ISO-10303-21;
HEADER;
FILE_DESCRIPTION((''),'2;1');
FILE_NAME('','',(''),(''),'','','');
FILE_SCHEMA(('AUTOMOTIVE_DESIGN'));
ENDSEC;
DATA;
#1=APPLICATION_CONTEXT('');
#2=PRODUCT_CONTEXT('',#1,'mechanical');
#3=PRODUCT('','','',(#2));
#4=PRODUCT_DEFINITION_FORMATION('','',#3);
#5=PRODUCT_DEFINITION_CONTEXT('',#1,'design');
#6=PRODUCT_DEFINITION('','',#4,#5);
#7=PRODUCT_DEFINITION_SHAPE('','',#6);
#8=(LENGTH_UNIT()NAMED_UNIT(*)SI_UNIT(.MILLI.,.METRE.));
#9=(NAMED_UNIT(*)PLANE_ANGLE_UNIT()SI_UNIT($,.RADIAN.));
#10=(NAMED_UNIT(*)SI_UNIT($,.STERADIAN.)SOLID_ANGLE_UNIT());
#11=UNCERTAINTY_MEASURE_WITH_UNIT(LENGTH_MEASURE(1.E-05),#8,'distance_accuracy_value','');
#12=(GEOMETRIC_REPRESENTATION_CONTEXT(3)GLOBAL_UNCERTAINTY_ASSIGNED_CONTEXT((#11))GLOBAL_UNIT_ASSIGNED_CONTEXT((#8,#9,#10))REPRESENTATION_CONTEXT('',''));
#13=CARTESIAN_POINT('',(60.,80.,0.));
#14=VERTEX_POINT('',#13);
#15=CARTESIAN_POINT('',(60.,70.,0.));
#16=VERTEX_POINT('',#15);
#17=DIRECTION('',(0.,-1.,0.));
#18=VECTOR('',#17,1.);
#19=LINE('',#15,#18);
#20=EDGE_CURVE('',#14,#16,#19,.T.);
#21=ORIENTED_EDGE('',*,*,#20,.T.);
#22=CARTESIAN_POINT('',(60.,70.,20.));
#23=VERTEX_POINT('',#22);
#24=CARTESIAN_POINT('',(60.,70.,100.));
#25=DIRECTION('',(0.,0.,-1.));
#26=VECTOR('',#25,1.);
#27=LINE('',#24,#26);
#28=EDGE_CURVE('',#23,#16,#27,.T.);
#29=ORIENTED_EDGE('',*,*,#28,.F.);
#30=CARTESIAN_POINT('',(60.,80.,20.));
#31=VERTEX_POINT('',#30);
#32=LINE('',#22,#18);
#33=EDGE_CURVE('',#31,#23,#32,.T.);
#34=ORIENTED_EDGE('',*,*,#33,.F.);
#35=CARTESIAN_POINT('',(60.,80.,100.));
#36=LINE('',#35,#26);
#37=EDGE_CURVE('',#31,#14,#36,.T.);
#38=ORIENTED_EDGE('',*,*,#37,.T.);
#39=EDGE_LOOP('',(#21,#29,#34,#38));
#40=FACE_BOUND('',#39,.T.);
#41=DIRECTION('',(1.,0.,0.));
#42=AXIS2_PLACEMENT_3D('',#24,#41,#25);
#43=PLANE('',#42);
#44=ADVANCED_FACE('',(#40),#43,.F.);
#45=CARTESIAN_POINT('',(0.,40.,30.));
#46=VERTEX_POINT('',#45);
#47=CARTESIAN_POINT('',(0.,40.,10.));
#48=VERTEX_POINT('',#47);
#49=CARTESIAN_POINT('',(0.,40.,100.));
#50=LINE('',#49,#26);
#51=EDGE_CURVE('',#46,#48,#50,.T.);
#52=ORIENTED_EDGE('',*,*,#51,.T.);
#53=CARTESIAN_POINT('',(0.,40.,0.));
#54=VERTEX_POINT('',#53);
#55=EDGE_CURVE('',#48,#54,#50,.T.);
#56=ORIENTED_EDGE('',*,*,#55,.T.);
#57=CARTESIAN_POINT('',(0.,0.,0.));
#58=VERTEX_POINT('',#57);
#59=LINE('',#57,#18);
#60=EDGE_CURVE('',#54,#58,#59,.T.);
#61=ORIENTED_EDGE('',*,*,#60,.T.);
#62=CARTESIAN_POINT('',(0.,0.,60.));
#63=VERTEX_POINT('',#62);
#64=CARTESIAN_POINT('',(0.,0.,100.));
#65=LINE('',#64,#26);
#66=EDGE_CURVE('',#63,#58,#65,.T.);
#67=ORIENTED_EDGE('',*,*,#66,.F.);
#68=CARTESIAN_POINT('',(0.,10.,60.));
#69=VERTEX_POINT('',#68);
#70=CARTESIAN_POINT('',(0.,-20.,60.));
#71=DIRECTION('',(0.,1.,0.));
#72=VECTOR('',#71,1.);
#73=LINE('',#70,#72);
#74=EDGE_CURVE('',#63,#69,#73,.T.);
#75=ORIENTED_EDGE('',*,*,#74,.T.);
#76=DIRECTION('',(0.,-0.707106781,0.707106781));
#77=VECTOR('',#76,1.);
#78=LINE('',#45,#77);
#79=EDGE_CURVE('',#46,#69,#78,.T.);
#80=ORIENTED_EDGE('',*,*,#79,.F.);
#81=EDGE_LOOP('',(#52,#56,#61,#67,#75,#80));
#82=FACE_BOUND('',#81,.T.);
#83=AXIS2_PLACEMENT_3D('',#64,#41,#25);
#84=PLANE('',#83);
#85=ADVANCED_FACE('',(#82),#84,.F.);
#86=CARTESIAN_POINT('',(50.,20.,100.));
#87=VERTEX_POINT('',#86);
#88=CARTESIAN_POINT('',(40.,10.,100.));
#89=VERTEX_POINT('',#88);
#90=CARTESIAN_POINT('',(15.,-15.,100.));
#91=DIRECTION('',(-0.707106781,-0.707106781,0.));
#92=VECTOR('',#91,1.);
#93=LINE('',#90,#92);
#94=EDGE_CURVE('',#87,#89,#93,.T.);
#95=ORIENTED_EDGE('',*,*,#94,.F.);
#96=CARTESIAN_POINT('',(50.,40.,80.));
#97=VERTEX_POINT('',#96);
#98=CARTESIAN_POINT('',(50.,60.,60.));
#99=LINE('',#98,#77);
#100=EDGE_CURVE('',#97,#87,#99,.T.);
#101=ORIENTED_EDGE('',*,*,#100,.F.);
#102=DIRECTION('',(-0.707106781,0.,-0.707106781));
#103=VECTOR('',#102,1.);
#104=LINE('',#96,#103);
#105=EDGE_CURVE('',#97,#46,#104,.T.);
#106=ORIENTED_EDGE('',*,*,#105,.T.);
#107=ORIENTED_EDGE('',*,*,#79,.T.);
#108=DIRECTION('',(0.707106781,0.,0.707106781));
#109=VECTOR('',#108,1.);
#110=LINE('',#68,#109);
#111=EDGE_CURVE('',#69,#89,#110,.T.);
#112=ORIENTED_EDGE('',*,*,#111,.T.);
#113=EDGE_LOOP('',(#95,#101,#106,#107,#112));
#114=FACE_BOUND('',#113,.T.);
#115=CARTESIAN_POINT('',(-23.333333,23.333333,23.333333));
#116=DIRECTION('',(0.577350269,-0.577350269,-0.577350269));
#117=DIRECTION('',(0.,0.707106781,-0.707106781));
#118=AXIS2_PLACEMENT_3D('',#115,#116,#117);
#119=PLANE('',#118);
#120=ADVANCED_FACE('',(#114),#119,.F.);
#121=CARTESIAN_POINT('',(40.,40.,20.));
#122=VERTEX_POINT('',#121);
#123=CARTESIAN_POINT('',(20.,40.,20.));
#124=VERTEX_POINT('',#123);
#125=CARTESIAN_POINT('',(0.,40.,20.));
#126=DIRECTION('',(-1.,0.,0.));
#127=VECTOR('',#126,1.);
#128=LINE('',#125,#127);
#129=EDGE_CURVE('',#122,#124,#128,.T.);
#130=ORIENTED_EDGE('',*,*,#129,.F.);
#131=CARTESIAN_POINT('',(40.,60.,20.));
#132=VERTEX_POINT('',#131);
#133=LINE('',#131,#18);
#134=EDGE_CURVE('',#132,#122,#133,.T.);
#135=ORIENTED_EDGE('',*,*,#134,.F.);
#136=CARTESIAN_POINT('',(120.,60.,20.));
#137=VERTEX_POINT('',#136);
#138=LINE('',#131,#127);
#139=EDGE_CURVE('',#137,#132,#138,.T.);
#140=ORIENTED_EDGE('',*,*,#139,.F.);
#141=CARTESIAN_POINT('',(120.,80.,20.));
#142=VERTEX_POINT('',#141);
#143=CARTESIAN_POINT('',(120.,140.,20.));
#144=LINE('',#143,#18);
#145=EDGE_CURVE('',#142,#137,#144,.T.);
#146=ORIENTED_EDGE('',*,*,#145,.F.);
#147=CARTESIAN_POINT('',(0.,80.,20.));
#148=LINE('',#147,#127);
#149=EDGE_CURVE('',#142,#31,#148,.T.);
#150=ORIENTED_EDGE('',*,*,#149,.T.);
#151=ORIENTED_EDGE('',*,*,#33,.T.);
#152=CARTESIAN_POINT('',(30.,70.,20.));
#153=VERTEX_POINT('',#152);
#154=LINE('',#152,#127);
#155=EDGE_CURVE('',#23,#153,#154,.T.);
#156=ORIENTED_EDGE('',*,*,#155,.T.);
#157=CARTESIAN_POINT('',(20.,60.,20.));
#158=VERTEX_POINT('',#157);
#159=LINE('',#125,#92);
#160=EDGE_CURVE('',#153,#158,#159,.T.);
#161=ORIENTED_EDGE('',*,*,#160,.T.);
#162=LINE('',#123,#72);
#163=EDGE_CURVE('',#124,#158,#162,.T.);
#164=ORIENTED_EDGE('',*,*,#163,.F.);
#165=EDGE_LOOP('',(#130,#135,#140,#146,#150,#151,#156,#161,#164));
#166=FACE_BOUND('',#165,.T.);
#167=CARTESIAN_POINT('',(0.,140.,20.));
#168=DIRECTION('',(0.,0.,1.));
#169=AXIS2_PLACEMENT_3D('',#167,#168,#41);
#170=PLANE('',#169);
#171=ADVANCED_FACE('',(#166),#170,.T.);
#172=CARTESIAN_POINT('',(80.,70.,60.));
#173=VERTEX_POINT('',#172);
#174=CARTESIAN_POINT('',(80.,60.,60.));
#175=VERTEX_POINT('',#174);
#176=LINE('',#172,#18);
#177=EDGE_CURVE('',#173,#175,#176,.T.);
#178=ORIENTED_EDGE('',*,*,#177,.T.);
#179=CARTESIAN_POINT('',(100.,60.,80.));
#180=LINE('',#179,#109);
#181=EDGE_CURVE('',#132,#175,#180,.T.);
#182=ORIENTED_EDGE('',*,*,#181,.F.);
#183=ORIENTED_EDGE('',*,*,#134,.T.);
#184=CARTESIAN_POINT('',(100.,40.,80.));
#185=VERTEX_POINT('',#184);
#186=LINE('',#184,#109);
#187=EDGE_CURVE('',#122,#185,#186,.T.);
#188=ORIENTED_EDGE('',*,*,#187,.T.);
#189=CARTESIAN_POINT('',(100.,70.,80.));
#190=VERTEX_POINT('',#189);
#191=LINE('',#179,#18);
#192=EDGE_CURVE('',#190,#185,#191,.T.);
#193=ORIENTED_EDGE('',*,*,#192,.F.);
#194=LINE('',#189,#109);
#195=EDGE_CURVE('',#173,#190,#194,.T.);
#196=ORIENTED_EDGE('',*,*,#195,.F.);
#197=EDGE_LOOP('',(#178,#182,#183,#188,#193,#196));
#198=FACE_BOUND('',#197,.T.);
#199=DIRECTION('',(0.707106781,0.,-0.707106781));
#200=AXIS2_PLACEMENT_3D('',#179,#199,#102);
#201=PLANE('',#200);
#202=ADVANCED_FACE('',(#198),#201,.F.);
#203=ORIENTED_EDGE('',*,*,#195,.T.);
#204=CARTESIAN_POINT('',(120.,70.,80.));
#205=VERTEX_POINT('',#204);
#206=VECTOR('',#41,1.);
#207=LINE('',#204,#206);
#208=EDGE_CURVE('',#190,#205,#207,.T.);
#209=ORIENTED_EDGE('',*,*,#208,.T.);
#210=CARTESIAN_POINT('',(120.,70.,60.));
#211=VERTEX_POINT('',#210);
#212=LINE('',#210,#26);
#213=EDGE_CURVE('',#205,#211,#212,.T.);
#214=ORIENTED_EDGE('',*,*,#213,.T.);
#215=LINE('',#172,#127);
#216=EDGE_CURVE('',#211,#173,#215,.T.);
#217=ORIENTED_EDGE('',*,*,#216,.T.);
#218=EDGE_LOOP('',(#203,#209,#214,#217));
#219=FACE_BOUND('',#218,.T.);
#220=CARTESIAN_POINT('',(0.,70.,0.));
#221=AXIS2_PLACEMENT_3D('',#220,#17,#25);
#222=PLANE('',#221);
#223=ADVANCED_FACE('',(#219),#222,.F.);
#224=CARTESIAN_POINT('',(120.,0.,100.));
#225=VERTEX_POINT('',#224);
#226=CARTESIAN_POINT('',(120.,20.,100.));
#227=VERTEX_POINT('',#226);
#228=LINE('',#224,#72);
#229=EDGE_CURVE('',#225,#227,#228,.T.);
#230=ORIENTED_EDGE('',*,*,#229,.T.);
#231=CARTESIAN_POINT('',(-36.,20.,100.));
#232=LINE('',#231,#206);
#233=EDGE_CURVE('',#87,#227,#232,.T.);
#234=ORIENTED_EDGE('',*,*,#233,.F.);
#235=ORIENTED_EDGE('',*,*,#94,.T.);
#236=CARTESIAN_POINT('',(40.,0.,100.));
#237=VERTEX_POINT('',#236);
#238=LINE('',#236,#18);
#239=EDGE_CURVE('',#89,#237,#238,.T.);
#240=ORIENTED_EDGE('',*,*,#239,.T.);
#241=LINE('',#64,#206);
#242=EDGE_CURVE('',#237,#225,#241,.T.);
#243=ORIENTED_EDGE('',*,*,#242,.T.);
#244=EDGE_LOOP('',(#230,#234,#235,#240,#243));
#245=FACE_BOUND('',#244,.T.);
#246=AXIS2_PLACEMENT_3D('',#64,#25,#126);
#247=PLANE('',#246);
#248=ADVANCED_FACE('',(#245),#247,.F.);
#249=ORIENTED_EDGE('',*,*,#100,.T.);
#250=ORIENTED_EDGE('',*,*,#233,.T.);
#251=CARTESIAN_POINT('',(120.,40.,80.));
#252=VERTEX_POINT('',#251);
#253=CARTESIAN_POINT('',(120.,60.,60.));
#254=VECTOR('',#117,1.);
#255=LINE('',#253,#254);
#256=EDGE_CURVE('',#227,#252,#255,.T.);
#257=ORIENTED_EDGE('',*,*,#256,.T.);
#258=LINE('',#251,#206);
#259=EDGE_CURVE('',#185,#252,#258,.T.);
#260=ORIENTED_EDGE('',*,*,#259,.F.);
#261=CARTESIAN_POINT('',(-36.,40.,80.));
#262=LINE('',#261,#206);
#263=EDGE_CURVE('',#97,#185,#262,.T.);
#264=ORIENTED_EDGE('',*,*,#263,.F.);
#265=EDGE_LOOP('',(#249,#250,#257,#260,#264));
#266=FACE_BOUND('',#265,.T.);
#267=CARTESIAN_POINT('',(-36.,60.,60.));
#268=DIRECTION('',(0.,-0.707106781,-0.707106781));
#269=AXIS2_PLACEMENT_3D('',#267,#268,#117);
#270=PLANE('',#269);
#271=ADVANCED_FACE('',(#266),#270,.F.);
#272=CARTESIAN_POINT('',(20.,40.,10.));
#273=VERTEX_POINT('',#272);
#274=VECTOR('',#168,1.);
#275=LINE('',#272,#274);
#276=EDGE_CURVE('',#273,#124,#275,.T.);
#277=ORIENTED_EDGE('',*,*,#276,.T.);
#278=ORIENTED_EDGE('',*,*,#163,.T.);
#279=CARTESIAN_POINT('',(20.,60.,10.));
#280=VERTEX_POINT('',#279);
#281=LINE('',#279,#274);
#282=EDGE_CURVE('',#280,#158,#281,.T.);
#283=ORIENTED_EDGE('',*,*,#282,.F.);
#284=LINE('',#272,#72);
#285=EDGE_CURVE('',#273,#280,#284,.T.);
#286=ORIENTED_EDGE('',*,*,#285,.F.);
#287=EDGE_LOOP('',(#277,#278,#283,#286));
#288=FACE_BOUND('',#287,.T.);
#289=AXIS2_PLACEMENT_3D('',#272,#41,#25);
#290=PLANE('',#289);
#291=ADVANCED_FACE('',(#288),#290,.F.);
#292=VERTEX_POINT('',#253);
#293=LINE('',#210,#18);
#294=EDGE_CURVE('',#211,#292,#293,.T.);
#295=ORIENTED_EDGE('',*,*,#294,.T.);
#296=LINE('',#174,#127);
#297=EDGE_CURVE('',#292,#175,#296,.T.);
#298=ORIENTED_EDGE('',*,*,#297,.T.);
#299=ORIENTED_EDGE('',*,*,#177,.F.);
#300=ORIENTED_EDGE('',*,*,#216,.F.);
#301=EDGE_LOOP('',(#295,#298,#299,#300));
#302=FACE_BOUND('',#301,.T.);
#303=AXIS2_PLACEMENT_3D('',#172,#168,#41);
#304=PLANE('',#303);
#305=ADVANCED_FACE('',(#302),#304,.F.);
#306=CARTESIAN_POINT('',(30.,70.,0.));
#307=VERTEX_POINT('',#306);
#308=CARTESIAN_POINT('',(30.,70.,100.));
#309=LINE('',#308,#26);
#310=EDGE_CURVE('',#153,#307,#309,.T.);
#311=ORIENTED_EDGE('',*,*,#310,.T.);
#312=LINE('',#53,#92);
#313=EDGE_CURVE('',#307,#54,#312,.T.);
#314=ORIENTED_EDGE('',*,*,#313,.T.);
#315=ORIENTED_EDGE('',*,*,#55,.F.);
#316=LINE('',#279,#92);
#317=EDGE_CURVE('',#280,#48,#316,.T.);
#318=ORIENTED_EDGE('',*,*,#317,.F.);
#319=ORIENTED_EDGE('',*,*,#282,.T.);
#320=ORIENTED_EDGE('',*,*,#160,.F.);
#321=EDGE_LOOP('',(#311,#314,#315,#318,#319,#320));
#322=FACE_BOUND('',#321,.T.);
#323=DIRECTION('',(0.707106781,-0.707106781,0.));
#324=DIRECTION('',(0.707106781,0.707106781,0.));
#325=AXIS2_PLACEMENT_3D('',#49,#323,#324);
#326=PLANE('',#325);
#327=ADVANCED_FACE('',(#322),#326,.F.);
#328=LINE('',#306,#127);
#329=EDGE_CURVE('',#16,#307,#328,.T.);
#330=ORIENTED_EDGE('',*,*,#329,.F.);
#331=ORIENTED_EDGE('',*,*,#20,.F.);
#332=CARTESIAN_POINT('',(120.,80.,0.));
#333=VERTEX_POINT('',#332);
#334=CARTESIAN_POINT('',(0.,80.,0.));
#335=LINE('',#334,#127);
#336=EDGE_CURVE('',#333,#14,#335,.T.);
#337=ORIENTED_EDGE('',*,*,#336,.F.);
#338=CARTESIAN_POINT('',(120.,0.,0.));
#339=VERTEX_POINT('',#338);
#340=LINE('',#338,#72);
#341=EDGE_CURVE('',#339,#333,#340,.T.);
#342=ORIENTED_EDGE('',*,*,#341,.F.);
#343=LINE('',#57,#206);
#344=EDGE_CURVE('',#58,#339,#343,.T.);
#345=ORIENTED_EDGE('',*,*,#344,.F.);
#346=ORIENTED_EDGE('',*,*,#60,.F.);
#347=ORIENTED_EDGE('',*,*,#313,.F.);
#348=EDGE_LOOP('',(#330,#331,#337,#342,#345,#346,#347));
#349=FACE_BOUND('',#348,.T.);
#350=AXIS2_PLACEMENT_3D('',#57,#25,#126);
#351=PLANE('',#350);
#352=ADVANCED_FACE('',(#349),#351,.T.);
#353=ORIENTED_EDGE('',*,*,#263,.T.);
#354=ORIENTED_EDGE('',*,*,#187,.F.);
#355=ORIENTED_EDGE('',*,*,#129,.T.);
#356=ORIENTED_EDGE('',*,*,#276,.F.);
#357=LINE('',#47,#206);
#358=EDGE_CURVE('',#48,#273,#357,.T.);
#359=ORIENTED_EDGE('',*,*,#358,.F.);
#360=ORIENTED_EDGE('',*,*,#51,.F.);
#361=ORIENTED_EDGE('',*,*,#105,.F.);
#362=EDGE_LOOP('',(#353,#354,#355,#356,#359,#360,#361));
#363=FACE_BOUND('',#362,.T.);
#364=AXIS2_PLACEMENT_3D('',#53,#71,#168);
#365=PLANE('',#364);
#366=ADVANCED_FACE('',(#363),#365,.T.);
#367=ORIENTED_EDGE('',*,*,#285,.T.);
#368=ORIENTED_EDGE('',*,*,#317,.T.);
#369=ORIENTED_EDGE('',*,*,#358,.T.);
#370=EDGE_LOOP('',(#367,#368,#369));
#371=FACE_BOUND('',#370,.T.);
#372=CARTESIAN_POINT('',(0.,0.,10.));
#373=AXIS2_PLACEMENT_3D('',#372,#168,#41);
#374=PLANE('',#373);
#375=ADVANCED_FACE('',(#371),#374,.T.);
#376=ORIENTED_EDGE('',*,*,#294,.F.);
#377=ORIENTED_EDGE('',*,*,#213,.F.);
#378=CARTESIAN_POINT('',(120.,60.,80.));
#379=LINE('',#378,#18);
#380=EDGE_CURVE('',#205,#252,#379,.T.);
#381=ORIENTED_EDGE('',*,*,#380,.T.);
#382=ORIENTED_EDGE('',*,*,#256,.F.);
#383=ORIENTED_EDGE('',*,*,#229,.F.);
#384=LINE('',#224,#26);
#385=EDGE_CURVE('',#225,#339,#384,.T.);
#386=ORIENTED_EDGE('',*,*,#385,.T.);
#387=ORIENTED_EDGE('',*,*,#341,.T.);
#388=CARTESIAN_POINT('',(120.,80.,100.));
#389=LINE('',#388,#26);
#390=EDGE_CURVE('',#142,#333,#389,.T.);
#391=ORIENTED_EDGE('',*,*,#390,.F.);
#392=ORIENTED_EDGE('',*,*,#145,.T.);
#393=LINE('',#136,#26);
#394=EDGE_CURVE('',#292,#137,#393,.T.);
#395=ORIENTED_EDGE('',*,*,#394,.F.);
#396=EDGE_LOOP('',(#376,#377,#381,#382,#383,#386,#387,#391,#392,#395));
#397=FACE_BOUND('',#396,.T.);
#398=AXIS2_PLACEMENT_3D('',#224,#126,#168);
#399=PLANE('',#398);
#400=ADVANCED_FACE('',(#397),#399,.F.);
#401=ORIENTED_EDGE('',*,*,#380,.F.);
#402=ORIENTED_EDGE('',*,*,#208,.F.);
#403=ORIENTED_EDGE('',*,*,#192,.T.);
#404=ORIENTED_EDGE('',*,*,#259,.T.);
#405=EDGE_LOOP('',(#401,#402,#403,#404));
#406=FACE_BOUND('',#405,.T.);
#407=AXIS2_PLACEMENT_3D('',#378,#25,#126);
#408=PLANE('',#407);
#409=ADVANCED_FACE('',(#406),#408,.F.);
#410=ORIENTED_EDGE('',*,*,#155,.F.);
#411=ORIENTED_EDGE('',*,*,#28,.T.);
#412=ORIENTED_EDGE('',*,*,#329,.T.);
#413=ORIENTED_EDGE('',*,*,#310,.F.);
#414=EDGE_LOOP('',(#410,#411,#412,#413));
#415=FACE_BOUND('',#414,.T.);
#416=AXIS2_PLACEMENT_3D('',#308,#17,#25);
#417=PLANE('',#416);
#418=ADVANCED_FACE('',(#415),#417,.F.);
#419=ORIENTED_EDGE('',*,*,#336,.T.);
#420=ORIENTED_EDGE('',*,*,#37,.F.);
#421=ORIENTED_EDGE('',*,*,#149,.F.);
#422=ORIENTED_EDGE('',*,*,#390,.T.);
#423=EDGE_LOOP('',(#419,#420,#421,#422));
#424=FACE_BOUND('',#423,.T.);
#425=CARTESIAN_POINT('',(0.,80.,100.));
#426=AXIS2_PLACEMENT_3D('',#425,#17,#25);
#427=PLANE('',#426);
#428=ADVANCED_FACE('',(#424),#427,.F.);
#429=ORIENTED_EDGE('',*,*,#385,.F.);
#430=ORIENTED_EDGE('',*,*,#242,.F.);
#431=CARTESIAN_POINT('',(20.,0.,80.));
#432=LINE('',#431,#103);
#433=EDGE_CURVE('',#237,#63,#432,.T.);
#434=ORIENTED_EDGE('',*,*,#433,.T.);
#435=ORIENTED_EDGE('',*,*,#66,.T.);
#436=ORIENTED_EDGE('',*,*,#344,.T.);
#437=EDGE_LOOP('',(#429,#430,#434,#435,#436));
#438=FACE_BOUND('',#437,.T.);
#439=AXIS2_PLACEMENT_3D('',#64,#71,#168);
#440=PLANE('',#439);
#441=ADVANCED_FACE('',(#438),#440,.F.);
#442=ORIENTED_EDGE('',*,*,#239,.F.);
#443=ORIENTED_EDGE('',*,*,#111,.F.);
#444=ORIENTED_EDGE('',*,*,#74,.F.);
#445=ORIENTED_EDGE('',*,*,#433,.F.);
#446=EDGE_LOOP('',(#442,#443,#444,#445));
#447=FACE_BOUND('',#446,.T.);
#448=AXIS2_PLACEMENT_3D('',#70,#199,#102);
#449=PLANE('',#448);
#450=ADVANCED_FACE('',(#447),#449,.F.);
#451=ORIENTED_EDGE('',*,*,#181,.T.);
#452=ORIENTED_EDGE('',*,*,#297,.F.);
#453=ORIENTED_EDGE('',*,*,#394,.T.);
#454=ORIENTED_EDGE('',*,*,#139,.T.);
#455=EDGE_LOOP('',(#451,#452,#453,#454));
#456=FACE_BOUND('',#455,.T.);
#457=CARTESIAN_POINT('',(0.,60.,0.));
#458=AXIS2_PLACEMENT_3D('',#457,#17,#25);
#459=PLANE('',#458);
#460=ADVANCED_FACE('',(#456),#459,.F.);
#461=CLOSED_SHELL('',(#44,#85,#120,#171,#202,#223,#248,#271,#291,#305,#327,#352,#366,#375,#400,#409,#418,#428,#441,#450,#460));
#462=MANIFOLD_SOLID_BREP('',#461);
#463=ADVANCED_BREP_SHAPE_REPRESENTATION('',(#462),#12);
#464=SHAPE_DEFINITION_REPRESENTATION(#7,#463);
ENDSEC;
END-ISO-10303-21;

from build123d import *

# Parameters (mm, degrees)
SKETCH1_W           = 120
SKETCH1_H           = 80
BOSS_EXTRUDE1_DEPTH = 100
CUT_EXTRUDE1_DEPTH  = 100
CUT_EXTRUDE2_DEPTH  = 100
SKETCH4_W           = 120
SKETCH4_H           = 80
CUT_EXTRUDE3_DEPTH  = 100
CUT_EXTRUDE4_DEPTH  = 10
BOSS_EXTRUDE4_DEPTH = 20
BOSS_EXTRUDE5_DEPTH = 10
CUT_EXTRUDE8_DEPTH  = 156
CUT_EXTRUDE10_DEPTH = 156
CUT_EXTRUDE11_DEPTH = 156
CUT_EXTRUDE12_DEPTH = 156


with BuildPart() as part:
    # Sketch1 → Boss-Extrude1 (new body)
    with BuildSketch(Plane.XY):
        with Locations((60, 40)):
            Rectangle(SKETCH1_W, SKETCH1_H)
    extrude(amount=BOSS_EXTRUDE1_DEPTH)

    # Sketch2 → Cut-Extrude1 (cut)
    with BuildSketch(Plane(origin=(0, 80, 0), x_dir=(1, 0, 0), z_dir=(0, 1, 0))):
        Polygon((0, -60), (40, -100), (0, -100), align=None)
    extrude(amount=-CUT_EXTRUDE1_DEPTH, mode=Mode.SUBTRACT)

    # Sketch3 → Cut-Extrude2 (cut)
    with BuildSketch(Plane(origin=(0, 0, 0), x_dir=(-1, 0, 0), z_dir=(0, 0, -1))):
        Polygon((0, 40), (-30, 70), (-60, 70), (-60, 80), (0, 80), align=None)
    extrude(amount=-CUT_EXTRUDE2_DEPTH, mode=Mode.SUBTRACT)

    # Sketch4 → Cut-Extrude3 (cut)
    with BuildSketch(Plane(origin=(0, 40, 0), x_dir=(1, 0, 0), z_dir=(0, 1, 0))):
        with Locations((60, -60)):
            Rectangle(SKETCH4_W, SKETCH4_H)
    extrude(amount=CUT_EXTRUDE3_DEPTH, mode=Mode.SUBTRACT)

    # Sketch5 → Cut-Extrude4 (cut)
    with BuildSketch(Plane.XY.offset(20)):
        Polygon((20, 40), (20, 60), (0, 40), align=None)
    extrude(amount=-CUT_EXTRUDE4_DEPTH, mode=Mode.SUBTRACT)

    # Sketch6 → Boss-Extrude4 (add)
    with BuildSketch(Plane(origin=(0, 40, 0), x_dir=(1, 0, 0), z_dir=(0, 1, 0))):
        Polygon((40, -20), (120, -20), (120, -80), (100, -80), align=None)
    extrude(amount=BOSS_EXTRUDE4_DEPTH)

    # Sketch8 → Boss-Extrude5 (add)
    with BuildSketch(Plane(origin=(0, 60, 0), x_dir=(1, 0, 0), z_dir=(0, 1, 0))):
        Polygon((80, -60), (120, -60), (120, -80), (100, -80), align=None)
    extrude(amount=BOSS_EXTRUDE5_DEPTH)

    # Sketch9 → Cut-Extrude8 (cut)
    with BuildSketch(Plane(origin=(120, 0, 0), x_dir=(0, 0, -1), z_dir=(1, 0, 0))):
        Polygon((-100, 40), (-80, 40), (-100, 20), align=None)
    extrude(amount=-CUT_EXTRUDE8_DEPTH, mode=Mode.SUBTRACT)

    # Sketch13 → Cut-Extrude10 (cut)
    with BuildSketch(Plane(origin=(-23.333333333, 23.333333333, 23.333333333), x_dir=(0.816496581, 0.40824829, 0.40824829), z_dir=(-0.577350269, 0.577350269, 0.577350269))):
        Polygon((28.577380332, 7.071067812), (28.577380332, -35.355339059), (77.567175188, -63.639610307), (89.814623902, -28.284271247), align=None)
    extrude(amount=CUT_EXTRUDE10_DEPTH, mode=Mode.SUBTRACT)

    # Sketch14 → Cut-Extrude11 (cut)
    with BuildSketch(Plane(origin=(72.619047619, 14.523809524, 58.095238095), x_dir=(-0.605227533, -0.121045507, 0.786795792), z_dir=(-0.77151675, -0.15430335, -0.6172134))):
        Polygon((53.260022875, 1.961161351), (27.840466503, 29.417420271), (51.671300602, 13.237839122), align=None)
    extrude(amount=-CUT_EXTRUDE11_DEPTH, mode=Mode.SUBTRACT)

    # Sketch15 → Cut-Extrude12 (cut)
    with BuildSketch(Plane(origin=(-33.221457258, 0.897877223, 41.302352266), x_dir=(-0.779285755, -0.013620016, -0.626520716), z_dir=(0.626668742, -0.016936993, -0.779101679))):
        Polygon((-94.306519852, 17.821876236), (-92.355669011, 19.098748466), (-93.959701924, 7.824238347), align=None)
    extrude(amount=-CUT_EXTRUDE12_DEPTH, mode=Mode.SUBTRACT)


solid = part.part
